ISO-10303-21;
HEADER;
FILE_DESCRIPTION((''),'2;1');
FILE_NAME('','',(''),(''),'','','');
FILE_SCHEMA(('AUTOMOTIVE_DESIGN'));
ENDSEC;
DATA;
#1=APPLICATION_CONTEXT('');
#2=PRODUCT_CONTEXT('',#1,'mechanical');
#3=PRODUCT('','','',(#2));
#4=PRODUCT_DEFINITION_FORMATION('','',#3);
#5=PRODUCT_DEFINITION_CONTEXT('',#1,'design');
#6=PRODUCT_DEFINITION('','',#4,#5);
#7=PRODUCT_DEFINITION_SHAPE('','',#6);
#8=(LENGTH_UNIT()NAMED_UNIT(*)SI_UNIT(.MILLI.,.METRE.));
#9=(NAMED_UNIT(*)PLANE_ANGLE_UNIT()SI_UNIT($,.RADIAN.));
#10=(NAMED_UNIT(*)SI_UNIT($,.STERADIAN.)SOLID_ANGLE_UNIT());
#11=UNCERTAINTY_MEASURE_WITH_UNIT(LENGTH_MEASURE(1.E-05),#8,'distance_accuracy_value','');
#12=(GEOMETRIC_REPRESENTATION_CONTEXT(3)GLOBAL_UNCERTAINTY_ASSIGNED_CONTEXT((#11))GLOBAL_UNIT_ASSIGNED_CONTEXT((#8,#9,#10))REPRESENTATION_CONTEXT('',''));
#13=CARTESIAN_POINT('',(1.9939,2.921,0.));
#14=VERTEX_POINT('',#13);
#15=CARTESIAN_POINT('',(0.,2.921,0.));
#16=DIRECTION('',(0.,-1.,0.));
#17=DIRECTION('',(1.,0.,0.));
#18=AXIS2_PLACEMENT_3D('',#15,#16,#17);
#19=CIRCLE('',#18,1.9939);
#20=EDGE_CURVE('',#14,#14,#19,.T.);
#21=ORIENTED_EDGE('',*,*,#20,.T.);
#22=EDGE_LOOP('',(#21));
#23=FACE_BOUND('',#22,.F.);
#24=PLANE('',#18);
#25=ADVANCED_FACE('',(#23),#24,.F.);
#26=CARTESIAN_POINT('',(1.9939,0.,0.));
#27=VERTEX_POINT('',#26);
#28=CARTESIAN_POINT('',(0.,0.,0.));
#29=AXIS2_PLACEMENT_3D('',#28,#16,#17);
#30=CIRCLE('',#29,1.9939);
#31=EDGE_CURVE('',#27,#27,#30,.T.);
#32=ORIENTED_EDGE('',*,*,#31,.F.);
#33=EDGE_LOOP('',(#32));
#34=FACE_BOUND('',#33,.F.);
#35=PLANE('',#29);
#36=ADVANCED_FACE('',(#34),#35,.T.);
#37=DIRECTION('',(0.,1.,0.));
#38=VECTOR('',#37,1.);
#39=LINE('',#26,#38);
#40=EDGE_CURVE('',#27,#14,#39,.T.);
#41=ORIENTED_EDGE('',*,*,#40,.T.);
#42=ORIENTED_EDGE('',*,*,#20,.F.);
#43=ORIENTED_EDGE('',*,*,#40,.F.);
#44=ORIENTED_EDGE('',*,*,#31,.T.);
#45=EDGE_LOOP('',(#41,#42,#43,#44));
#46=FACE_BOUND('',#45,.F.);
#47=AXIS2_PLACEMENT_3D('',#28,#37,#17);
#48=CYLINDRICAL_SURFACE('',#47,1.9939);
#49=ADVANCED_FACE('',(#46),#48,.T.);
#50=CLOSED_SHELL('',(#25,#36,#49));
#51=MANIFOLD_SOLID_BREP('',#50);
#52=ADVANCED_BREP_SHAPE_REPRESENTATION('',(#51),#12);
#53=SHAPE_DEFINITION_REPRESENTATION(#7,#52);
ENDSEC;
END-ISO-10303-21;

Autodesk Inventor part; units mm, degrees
ref_plane "YZ Plane" through (0, 0, 0) normal (1, 0, 0) x (0, 1, 0)
ref_plane "XZ Plane" through (0, 0, 0) normal (0, 1, 0) x (-1, 0, 0)
ref_plane "XY Plane" through (0, 0, 0) normal (0, 0, 1) x (1, 0, 0)
sketch "Sketch1" plane through (0, 0, 0) normal (0, 0, 1) x (1, 0, 0)
  line L0 (0, 0) -> (1.9939, 0)
  line L1 (1.9939, 0) -> (1.9939, 2.921)
  line L2 (1.9939, 2.921) -> (0, 2.921)
  line L3 (0, 2.921) -> (0, 0)
  dimension "d0" = 1.9939
  dimension "d1" = 2.921
revolve "Revolution1" add sketch "Sketch1" angle 360 about axis through (0, 2.921, 0) along (0, -1, 0)
properties part number "PushSwitchRod"
